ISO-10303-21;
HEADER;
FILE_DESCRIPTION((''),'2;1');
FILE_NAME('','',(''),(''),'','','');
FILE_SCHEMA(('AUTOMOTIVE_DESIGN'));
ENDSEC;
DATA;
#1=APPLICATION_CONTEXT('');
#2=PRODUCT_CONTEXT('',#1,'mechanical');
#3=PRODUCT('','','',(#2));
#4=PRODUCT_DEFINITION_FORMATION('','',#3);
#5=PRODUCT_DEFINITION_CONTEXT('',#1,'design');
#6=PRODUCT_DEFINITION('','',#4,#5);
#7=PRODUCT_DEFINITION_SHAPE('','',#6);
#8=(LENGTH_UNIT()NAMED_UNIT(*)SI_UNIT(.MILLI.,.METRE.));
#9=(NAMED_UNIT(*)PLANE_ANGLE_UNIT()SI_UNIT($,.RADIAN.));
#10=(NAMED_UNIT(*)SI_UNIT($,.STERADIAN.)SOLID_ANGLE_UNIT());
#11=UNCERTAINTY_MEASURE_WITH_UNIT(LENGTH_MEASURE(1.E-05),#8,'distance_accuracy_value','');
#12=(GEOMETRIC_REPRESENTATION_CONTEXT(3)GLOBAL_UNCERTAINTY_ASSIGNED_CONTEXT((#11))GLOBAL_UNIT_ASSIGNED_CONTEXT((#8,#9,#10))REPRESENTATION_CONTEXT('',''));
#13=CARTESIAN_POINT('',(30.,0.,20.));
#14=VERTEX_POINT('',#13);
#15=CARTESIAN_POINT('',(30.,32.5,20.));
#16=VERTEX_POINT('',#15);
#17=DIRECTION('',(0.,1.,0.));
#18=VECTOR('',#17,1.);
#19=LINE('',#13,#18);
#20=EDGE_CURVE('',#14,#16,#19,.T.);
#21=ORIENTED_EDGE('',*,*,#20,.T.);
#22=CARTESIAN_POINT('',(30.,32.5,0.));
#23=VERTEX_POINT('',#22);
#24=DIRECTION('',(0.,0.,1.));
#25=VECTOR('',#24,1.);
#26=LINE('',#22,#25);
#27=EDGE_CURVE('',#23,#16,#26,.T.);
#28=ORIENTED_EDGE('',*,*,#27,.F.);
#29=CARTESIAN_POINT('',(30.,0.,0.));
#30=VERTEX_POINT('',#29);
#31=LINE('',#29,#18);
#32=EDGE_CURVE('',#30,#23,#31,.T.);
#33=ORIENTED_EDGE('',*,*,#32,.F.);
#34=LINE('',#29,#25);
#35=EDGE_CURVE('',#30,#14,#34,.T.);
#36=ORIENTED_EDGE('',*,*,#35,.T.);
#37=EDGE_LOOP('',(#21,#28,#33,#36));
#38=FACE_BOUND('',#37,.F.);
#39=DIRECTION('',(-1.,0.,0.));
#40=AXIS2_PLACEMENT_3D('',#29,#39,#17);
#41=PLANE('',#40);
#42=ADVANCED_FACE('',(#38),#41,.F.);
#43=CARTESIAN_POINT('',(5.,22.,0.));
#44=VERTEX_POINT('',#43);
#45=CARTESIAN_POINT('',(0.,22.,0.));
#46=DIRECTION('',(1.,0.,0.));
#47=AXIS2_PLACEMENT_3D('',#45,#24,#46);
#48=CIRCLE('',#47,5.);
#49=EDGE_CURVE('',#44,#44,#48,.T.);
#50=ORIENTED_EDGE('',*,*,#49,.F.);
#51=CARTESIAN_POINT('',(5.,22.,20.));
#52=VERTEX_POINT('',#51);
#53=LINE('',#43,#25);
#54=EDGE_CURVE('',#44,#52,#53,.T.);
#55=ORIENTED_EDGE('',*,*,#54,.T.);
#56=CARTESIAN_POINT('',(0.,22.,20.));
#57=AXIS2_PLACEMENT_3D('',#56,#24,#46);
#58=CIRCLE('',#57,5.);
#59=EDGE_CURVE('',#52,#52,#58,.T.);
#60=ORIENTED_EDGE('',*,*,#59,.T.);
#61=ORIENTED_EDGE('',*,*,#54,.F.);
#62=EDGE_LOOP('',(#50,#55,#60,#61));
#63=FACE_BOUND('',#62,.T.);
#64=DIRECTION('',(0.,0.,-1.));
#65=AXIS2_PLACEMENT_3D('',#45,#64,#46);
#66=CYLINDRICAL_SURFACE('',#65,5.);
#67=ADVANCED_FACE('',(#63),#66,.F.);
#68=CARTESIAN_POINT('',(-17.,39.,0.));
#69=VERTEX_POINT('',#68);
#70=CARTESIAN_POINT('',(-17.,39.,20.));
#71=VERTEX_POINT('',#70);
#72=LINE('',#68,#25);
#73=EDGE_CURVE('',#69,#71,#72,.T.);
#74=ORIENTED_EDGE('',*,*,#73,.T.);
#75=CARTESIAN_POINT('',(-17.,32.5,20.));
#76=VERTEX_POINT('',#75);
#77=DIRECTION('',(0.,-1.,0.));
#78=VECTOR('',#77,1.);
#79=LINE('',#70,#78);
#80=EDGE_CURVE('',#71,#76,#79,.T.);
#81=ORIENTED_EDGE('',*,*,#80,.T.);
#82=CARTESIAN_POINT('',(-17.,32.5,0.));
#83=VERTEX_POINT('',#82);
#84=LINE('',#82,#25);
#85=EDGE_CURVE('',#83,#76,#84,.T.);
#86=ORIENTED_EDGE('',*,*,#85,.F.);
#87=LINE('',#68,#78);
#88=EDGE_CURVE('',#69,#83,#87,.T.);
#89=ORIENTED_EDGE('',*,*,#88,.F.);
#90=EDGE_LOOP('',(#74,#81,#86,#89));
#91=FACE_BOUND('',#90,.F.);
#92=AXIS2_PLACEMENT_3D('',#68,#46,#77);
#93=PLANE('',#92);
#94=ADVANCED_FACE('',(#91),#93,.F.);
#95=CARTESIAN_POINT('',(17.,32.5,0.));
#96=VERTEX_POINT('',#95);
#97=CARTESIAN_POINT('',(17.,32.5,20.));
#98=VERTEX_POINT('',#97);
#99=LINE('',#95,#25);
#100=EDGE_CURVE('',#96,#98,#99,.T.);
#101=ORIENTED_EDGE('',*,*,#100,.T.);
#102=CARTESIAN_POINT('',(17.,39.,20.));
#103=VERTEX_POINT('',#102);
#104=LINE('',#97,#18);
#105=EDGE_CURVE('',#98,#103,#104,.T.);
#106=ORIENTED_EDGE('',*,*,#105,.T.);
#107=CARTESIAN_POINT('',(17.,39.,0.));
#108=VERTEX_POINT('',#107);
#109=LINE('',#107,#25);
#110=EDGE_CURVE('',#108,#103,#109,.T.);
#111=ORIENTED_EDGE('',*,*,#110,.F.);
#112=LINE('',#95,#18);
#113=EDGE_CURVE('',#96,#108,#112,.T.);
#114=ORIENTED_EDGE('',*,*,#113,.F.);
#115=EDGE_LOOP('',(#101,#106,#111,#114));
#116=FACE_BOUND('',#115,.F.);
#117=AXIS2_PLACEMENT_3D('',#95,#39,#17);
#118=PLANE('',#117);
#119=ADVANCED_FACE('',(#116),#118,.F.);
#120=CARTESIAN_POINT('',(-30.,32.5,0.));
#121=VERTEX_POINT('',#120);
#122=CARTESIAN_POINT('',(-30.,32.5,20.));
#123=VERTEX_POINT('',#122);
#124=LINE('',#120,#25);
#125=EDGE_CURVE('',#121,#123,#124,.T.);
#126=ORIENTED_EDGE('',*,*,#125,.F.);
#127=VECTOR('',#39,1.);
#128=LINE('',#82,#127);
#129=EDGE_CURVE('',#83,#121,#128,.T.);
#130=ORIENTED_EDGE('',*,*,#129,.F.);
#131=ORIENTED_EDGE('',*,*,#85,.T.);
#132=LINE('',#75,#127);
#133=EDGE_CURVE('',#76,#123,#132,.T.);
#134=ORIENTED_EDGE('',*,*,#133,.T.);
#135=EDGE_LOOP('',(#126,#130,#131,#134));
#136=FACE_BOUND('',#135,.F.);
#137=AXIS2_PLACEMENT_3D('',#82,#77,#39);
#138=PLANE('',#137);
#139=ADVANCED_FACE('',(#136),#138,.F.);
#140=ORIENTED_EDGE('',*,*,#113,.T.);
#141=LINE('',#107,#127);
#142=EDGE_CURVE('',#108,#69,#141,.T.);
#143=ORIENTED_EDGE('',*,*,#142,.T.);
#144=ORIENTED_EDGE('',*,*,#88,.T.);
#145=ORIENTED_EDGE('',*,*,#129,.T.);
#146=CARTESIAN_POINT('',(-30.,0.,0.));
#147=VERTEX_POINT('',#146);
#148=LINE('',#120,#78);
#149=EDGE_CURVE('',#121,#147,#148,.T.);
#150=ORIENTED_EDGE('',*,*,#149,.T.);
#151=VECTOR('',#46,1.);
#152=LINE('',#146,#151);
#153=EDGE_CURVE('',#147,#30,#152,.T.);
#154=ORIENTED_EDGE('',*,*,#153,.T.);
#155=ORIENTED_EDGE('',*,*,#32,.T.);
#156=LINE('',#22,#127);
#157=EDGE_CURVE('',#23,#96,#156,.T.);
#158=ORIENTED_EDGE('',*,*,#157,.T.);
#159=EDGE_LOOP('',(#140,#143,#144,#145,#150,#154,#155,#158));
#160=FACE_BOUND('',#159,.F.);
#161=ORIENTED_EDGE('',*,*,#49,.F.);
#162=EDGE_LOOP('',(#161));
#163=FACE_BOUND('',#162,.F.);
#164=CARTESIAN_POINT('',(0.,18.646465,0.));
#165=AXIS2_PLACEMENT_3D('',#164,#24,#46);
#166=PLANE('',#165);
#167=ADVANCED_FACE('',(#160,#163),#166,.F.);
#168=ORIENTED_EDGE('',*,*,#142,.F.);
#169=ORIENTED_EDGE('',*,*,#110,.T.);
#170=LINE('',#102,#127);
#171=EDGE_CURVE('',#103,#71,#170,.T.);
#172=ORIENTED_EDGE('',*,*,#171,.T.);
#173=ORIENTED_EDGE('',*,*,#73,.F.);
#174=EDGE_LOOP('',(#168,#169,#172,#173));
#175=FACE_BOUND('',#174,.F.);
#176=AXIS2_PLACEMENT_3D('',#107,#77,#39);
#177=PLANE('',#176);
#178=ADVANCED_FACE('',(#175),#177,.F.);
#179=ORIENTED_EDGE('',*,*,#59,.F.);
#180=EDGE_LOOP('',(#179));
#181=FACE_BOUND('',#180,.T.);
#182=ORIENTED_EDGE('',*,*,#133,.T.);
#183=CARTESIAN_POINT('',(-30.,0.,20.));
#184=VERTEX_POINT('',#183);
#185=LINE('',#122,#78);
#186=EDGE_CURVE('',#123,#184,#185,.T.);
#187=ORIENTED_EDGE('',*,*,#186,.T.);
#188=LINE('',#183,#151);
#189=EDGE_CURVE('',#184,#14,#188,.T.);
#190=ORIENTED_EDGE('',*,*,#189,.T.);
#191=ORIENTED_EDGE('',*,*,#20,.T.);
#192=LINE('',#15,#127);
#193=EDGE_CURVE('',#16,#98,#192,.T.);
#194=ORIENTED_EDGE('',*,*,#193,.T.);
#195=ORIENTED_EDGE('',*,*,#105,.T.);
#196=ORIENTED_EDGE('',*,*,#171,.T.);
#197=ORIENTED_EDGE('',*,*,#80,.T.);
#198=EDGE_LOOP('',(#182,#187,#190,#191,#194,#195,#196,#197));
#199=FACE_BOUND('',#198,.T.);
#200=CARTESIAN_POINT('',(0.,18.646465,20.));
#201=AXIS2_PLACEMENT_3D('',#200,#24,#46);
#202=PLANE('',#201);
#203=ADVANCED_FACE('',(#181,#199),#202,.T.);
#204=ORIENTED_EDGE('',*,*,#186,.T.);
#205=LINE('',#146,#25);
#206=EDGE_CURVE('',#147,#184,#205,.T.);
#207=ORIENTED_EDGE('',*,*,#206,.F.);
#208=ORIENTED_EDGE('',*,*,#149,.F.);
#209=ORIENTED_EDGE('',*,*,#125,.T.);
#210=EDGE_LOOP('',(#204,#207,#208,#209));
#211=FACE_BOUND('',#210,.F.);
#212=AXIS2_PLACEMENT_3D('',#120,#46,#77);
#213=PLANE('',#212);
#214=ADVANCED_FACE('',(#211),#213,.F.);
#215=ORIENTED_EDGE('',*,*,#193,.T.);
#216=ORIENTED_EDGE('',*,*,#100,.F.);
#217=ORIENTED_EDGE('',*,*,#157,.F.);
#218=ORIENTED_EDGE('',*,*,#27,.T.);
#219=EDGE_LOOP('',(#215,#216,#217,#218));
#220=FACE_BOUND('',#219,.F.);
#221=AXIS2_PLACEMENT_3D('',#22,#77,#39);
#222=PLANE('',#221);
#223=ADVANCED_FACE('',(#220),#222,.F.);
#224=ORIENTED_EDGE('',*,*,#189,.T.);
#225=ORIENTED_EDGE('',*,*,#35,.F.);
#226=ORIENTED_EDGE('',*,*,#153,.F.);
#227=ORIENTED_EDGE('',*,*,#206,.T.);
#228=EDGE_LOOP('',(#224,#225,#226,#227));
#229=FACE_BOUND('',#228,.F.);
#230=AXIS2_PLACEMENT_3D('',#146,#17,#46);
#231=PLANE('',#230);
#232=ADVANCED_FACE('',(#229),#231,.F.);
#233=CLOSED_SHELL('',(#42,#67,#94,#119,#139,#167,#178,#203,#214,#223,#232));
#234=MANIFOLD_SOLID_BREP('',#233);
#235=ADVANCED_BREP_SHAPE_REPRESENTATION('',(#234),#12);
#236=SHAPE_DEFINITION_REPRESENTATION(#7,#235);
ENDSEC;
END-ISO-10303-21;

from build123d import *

# Parameters (mm, degrees)
SKETCH_R  = 5
PAD_DEPTH = 20


with BuildPart() as part:
    # Sketch → Pad (new body)
    with BuildSketch(Plane.XY):
        Polygon((-30, 0), (30, 0), (30, 32.5), (17, 32.5), (17, 39), (-17, 39), (-17, 32.5), (-30, 32.5), align=None)
        with Locations((0, 22)):
            Circle(SKETCH_R, mode=Mode.SUBTRACT)
    extrude(amount=PAD_DEPTH)


solid = part.part
